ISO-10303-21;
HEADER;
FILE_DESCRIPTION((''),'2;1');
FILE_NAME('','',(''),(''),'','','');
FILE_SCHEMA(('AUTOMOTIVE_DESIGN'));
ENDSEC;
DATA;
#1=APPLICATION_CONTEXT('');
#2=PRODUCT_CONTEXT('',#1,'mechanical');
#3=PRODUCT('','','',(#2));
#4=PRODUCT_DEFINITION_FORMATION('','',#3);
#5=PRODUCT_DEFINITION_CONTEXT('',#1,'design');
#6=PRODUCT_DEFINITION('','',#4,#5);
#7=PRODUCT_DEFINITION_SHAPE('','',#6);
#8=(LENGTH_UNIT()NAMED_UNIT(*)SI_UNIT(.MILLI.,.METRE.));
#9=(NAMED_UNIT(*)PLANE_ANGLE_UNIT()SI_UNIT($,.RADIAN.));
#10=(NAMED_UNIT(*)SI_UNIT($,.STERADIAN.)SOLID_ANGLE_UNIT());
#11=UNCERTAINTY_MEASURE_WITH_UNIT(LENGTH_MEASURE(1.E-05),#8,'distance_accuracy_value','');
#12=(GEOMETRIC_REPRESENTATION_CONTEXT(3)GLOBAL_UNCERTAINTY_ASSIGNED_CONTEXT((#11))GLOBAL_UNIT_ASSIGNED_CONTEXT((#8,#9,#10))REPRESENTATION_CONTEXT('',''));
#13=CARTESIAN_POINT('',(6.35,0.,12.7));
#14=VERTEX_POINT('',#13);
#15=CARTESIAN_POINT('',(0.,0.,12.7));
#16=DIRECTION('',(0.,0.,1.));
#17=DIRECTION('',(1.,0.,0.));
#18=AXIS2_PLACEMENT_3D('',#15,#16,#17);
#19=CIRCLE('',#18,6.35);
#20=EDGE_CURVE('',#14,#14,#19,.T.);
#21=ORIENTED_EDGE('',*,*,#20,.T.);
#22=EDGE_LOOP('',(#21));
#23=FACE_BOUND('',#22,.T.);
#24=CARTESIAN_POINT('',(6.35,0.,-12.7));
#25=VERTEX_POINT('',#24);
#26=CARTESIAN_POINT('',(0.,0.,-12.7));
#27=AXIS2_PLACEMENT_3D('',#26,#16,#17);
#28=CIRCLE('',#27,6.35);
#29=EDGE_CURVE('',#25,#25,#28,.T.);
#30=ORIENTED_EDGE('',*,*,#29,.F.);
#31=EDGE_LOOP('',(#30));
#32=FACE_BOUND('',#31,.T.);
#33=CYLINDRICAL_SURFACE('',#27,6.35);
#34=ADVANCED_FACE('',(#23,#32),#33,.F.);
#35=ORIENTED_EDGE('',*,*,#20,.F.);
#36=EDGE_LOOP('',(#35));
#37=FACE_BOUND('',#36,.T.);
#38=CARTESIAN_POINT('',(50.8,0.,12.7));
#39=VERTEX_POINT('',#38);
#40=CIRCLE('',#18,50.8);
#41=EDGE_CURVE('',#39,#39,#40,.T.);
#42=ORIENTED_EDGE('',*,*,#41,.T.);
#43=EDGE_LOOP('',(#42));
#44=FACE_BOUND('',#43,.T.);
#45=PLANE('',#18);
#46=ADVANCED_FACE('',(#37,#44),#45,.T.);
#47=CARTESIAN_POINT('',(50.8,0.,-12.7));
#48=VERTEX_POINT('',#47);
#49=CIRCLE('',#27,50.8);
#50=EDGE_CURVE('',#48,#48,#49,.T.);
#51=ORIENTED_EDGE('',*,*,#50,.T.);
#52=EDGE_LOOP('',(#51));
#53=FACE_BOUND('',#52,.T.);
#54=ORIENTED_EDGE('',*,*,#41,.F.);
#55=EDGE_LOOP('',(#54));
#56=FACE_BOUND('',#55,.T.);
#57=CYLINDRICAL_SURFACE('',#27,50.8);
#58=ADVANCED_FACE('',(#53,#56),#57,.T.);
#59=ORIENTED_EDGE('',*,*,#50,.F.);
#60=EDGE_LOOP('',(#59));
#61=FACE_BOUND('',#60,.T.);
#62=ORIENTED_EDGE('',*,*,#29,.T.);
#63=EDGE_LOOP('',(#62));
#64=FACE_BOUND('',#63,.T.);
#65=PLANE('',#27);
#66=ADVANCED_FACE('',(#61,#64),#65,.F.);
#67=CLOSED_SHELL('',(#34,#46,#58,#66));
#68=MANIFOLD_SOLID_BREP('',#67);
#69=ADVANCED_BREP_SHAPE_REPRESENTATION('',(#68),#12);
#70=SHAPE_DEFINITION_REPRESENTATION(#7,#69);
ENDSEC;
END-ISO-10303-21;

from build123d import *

# Parameters (mm, degrees)
SKETCH1_R           = 50.8
SKETCH1_R_2         = 6.35
BOSS_EXTRUDE1_DEPTH = 12.7


with BuildPart() as part:
    # Sketch1 → Boss-Extrude1 (new body, symmetric)
    with BuildSketch(Plane.XY):
        Circle(SKETCH1_R)
        Circle(SKETCH1_R_2, mode=Mode.SUBTRACT)
    extrude(amount=BOSS_EXTRUDE1_DEPTH, both=True)


solid = part.part
